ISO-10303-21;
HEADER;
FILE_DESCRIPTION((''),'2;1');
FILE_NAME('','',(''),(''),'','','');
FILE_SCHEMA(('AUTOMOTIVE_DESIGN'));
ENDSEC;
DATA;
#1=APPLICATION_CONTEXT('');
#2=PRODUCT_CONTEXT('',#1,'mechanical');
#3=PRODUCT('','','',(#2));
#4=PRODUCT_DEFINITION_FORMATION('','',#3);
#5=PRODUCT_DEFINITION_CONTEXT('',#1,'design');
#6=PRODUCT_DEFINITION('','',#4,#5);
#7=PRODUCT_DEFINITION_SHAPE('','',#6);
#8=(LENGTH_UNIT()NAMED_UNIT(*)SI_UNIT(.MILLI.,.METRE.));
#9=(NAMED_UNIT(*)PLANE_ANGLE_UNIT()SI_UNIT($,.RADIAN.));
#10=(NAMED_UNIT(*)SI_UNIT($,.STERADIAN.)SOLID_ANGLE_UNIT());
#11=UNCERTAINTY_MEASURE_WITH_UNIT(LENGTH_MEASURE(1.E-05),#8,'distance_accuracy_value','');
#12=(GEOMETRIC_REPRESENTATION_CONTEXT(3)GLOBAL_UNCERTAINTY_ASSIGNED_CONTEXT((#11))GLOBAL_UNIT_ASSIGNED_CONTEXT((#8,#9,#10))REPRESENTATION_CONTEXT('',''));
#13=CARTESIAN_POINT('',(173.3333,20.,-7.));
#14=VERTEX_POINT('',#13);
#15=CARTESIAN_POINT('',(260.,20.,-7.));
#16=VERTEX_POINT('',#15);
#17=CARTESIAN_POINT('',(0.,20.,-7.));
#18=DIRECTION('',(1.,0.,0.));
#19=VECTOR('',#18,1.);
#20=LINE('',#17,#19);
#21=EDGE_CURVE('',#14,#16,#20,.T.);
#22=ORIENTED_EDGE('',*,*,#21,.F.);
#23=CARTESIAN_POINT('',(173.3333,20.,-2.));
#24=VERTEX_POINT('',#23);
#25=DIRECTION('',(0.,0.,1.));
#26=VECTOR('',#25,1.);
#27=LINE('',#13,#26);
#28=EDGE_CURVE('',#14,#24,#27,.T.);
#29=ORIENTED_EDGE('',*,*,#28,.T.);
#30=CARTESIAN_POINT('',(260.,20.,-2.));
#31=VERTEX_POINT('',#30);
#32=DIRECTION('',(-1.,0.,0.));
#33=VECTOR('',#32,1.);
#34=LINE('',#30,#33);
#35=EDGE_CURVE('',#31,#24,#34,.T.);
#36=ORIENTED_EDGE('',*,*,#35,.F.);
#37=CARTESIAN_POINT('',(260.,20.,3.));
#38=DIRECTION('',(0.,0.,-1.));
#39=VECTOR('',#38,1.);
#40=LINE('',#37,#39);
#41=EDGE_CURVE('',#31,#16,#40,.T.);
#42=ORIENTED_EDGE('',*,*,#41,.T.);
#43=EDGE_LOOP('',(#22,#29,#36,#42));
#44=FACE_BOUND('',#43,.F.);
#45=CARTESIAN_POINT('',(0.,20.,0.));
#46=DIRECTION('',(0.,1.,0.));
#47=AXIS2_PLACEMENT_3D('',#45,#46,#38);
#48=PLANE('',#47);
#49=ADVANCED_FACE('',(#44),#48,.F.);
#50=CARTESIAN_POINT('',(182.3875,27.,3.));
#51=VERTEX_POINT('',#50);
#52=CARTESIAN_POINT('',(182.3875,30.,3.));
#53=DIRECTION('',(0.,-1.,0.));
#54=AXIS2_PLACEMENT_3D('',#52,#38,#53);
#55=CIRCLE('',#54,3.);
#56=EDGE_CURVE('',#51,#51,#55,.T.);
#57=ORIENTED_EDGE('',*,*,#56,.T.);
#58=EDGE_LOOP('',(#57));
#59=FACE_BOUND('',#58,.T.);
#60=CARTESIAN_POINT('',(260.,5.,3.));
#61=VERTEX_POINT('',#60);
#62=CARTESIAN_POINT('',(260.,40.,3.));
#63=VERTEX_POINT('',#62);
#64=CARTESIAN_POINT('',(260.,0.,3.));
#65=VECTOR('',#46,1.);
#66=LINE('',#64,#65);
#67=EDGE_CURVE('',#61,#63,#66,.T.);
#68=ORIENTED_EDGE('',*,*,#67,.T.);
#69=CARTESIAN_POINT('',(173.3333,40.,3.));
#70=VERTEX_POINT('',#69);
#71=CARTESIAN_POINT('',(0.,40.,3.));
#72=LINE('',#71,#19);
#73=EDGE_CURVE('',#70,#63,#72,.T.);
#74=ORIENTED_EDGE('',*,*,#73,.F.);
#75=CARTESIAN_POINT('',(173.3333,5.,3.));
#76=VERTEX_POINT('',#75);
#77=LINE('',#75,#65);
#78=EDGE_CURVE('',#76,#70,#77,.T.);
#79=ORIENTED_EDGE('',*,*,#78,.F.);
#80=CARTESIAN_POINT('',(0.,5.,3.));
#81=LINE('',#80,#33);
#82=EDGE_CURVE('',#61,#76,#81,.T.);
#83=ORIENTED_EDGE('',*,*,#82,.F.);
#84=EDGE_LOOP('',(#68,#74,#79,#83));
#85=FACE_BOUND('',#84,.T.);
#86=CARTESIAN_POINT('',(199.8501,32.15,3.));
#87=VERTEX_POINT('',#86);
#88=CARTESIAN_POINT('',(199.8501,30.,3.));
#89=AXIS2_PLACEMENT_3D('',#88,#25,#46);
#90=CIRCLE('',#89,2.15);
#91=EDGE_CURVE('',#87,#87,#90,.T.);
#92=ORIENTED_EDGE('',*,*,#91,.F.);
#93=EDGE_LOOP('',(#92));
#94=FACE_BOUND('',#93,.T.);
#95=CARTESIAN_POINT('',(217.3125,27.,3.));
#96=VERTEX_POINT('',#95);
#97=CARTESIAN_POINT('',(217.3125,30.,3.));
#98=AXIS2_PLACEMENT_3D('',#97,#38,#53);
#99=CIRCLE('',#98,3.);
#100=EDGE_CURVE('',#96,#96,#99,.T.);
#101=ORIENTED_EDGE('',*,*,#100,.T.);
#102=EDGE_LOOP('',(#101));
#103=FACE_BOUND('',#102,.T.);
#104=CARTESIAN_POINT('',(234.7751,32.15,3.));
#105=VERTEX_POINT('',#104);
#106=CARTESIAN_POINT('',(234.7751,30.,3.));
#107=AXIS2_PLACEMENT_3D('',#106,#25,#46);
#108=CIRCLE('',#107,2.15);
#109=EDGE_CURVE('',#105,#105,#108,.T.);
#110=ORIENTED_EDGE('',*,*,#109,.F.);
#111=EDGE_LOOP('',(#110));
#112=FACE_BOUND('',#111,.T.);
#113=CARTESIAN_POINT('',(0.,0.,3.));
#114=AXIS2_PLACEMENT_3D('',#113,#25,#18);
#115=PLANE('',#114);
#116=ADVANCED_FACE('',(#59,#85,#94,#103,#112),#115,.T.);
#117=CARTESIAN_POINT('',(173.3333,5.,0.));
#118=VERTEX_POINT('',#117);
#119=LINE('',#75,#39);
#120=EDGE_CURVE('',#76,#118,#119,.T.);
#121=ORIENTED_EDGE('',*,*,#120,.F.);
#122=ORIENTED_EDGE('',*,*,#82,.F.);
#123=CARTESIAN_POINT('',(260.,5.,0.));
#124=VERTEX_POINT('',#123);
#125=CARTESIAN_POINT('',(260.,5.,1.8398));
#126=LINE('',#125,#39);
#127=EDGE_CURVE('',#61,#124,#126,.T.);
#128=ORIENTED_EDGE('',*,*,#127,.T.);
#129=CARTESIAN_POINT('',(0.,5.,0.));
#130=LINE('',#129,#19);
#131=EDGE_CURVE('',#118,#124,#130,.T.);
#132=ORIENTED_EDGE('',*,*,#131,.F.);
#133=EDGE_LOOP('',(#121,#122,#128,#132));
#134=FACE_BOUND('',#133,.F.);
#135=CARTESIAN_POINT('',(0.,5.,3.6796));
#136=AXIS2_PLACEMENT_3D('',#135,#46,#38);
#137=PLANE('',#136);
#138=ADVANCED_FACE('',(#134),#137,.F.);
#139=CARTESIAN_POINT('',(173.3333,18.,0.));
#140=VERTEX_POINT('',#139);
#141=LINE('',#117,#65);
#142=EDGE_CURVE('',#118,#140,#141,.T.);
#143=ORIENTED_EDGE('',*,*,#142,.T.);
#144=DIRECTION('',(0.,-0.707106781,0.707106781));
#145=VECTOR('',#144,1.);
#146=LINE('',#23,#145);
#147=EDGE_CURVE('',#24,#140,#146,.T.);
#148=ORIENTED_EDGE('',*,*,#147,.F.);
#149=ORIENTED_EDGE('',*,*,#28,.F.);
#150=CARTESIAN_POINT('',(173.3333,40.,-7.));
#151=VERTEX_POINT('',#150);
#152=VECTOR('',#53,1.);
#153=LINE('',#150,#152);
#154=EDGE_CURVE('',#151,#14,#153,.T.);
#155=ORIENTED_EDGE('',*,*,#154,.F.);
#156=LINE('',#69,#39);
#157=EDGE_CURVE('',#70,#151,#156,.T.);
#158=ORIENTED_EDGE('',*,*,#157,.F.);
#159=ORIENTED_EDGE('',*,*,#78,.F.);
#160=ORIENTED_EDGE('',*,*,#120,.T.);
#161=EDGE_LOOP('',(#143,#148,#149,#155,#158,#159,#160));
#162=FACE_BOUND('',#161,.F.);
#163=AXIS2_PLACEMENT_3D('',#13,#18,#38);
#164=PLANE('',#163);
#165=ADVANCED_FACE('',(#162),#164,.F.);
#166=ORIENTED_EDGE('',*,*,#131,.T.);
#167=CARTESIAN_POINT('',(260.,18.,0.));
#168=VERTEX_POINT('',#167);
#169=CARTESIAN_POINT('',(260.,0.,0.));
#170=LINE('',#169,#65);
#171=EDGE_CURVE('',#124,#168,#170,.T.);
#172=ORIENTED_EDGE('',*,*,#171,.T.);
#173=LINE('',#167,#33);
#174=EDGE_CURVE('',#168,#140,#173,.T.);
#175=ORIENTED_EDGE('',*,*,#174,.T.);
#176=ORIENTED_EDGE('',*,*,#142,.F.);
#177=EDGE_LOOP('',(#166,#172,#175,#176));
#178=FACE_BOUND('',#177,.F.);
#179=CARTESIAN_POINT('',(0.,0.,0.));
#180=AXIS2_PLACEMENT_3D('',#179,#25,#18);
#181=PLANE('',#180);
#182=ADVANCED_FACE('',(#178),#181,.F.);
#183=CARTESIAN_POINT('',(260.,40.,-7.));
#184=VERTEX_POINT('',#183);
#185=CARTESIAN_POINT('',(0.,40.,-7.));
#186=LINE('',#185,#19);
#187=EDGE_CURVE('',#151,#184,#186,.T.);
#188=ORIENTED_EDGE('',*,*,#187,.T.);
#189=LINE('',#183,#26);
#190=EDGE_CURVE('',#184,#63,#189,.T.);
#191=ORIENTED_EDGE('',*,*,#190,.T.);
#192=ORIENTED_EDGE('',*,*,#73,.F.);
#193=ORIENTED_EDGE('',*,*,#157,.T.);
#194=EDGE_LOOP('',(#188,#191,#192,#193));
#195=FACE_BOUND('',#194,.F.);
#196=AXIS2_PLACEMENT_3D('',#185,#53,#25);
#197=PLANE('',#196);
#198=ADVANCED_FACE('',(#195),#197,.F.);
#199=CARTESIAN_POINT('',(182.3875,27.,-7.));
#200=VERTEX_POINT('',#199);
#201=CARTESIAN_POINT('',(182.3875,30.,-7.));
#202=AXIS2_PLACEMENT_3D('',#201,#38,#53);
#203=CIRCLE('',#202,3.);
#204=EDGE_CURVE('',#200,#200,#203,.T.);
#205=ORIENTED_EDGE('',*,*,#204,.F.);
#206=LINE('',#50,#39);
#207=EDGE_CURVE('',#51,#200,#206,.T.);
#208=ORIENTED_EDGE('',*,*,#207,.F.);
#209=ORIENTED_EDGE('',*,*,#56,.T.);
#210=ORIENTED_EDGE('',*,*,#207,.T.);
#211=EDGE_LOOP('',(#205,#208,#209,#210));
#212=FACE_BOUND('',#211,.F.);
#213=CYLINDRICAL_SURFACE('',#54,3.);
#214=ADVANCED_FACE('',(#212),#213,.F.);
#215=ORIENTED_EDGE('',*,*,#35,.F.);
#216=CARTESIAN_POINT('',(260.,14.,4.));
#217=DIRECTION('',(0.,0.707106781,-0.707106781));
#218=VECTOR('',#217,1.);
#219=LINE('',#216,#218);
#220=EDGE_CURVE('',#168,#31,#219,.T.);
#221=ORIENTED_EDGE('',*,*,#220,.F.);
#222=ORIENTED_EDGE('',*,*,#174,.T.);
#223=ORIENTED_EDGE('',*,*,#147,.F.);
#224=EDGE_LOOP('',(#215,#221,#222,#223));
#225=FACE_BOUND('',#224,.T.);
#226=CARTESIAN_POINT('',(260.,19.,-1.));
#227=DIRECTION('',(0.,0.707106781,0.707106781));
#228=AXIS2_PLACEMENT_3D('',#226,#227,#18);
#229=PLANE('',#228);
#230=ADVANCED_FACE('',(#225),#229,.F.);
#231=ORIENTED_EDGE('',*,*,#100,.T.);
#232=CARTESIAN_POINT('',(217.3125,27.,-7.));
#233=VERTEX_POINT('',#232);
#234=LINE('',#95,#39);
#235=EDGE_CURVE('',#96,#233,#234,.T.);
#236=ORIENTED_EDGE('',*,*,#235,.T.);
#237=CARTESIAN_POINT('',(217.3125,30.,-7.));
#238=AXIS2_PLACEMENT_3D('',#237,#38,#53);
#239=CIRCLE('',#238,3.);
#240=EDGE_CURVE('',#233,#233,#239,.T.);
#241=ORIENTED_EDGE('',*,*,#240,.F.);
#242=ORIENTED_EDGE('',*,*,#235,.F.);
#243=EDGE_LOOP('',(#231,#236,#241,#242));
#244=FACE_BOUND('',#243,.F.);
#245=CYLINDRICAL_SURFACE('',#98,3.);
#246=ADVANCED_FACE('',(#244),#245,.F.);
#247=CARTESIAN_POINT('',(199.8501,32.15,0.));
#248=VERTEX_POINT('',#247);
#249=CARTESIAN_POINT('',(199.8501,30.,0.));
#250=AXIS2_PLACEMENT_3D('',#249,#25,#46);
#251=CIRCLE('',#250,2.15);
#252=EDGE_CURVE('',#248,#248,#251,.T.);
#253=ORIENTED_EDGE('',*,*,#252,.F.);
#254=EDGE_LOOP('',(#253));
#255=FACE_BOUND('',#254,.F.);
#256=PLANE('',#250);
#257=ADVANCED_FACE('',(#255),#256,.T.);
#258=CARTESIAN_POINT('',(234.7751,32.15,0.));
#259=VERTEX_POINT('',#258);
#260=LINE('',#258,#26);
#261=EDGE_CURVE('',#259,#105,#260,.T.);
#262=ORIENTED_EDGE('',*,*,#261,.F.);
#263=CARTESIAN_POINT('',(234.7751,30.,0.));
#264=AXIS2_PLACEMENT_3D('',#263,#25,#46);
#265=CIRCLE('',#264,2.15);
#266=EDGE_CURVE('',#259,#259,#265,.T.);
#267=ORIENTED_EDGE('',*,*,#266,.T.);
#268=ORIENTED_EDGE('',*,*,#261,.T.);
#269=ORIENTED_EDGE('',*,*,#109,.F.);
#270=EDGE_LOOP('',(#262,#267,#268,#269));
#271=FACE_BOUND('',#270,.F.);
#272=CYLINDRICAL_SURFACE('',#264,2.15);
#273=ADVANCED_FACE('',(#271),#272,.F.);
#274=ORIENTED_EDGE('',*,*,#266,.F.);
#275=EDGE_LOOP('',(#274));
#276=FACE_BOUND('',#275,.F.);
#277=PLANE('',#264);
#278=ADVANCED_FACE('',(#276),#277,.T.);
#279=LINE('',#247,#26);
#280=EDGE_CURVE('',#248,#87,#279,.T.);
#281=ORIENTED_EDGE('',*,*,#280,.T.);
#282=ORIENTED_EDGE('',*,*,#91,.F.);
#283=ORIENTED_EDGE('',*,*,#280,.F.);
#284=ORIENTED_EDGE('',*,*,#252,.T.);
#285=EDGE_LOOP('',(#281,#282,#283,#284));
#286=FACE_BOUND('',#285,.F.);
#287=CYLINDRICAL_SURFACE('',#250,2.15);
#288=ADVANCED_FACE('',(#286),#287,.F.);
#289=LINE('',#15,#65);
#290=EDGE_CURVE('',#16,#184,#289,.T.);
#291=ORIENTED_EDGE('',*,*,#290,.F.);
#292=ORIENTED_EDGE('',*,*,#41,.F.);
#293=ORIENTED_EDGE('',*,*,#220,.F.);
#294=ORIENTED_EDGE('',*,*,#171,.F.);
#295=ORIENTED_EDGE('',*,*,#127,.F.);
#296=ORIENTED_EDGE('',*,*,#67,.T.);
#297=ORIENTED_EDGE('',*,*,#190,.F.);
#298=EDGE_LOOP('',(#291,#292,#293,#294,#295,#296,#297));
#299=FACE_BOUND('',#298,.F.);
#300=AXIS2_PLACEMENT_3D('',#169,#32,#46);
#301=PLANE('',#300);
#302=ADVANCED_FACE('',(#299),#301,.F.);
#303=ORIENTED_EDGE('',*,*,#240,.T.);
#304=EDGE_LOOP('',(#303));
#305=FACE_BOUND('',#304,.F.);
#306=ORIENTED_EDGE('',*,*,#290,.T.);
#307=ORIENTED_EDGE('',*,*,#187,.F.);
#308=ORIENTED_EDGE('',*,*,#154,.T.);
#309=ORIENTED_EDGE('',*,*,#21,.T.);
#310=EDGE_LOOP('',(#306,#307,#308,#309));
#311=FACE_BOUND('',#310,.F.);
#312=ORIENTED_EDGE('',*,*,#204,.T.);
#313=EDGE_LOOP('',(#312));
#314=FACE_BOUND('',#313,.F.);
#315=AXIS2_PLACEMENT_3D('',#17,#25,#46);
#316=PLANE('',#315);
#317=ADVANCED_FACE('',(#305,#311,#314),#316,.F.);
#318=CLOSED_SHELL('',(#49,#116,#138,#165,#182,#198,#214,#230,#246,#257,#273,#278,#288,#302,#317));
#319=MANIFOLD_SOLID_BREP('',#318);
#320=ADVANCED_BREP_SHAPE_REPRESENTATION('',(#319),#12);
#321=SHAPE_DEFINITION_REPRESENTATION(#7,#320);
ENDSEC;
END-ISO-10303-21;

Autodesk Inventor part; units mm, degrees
ref_plane "YZ Plane" through (0, 0, 0) normal (1, 0, 0) x (0, 1, 0)
sketch "Sketch1" plane through (0, 0, 0) normal (0, 0, 1) x (1, 0, 0)
  line L0 (0, 0) -> (260, 0)
  line L1 (260, 0) -> (260, 20)
  line L2 (260, 20) -> (0, 20)
  line L3 (0, 20) -> (0, 0)
  dimension "d0" = 260
  dimension "d1" = 20
extrude "Extrusion1" add sketch "Sketch1" along normal blind 3
sketch "Sketch2" plane through (0, 0, 0) normal (0, 0, -1) x (-1, 0, 0)
  line L0 (0, 0) -> (-260, 0) projected
  line L1 (-12.5251, -24.7625) -> (-37.9251, -24.7625) projected
  line L2 (-260, 20) -> (0, 20) projected
  point P0 (-25.2251, 30)
  dimension "d5" = 25.4
  dimension "d6" = 12.7
  dimension "d62" = 10
sketch "Sketch5" plane through (0, 0, 0) normal (-1, 0, 0) x (0, 0, 1)
  line L0 (0, 20) -> (3, 20) projected
  line L1 (3, 20) -> (-7, 20)
  line L2 (-7, 20) -> (-7, 40)
  line L3 (-7, 40) -> (3, 40)
  line L4 (3, 40) -> (3, 20)
  point P0 (0, 0)
  point P1 (3, 30)
  point P2 (1.5, 20)
  dimension "d31" = 10
  dimension "d32" = 20
extrude "Extrusion3" add sketch "Sketch5" against normal up to surface (260 mm away)
sketch "Sketch6" plane through (0, 0, 3) normal (0, 0, 1) x (1, 0, 0)
  line L0 (0, 0) -> (0, 40) projected
  line L1 (260, 0) -> (260, 40) projected
  line L2 (0, 40) -> (260, 40) projected
  point P0 (42.6875, 30)
  point P1 (77.6125, 30)
  point P2 (182.3875, 30)
  point P3 (217.3125, 30)
  point P4 (112.5375, 30)
  point P5 (147.4625, 30)
  dimension "d35" = 42.6875
  dimension "d46" = 42.6875
  dimension "d47" = 34.925
  dimension "d48" = 34.925
  dimension "d49" = 34.925
  dimension "d50" = 34.925
  dimension "d51" = 10
hole "Hole2" at (42.6875, 30, 3) at (77.6125, 30, 3) at (182.3875, 30, 3) at (217.3125, 30, 3) at (112.5375, 30, 3) at (147.4625, 30, 3) direction (0, 0, -1) diameter 6 end through all
hole "Hole3" at (25.2251, 30, 0) direction (0, 0, 1) diameter 4.3 depth 6
pattern_linear "Rectangular Pattern2" count 7 spacing 34.925 along (1, 0, 0) of "Hole3"
chamfer "Chamfer1" distance 2 angle 45 1 edges at (130, 20, 0)
sketch "Sketch7" plane through (0, 0, 0) normal (-1, 0, 0) x (0, 0, 1)
  line L0 (0, 0) -> (3, 0) projected
  line L1 (0, 0) -> (3.6796, 0)
  line L2 (3.6796, 0) -> (3.6796, 5)
  line L3 (3.6796, 5) -> (0, 5)
  line L4 (0, 5) -> (0, 0)
  dimension "d66" = 5
extrude "Extrusion4" cut sketch "Sketch7" against normal through all
ref_plane "Work Plane1" through (173.3333, 20, -7) normal (1, 0, 0) x (0, 0, -1)
ref_plane "Work Plane2" through (86.6667, 20, -7) normal (1, 0, 0) x (0, 0, -1)
sketch "Sketch8" plane through (173.3333, 20, -7) normal (1, 0, 0) x (0, 0, -1)
  line L0 (-10, -15) -> (-7, -15) projected
  line L1 (-7, -15) -> (-7, -2) projected
  line L2 (-5, 0) -> (-7, -2) projected
  line L3 (0, 0) -> (-5, 0) projected
  line L4 (0, 20) -> (0, 0) projected
  line L5 (-10, 20) -> (0, 20) projected
  line L6 (-10, -15) -> (-10, 20) projected
  point P0 (-7, -20)
extrude "Extrusion5" cut sketch "Sketch8" against normal through all
equation "\"d6\" = 0.5 * d5"
equation "\"d46\" = d35"
equation "\"d48\" = d47"
equation "\"d49\" = d47"
equation "\"d50\" = d47"
properties part number "IR_Mount_Plate_3DPrint"
